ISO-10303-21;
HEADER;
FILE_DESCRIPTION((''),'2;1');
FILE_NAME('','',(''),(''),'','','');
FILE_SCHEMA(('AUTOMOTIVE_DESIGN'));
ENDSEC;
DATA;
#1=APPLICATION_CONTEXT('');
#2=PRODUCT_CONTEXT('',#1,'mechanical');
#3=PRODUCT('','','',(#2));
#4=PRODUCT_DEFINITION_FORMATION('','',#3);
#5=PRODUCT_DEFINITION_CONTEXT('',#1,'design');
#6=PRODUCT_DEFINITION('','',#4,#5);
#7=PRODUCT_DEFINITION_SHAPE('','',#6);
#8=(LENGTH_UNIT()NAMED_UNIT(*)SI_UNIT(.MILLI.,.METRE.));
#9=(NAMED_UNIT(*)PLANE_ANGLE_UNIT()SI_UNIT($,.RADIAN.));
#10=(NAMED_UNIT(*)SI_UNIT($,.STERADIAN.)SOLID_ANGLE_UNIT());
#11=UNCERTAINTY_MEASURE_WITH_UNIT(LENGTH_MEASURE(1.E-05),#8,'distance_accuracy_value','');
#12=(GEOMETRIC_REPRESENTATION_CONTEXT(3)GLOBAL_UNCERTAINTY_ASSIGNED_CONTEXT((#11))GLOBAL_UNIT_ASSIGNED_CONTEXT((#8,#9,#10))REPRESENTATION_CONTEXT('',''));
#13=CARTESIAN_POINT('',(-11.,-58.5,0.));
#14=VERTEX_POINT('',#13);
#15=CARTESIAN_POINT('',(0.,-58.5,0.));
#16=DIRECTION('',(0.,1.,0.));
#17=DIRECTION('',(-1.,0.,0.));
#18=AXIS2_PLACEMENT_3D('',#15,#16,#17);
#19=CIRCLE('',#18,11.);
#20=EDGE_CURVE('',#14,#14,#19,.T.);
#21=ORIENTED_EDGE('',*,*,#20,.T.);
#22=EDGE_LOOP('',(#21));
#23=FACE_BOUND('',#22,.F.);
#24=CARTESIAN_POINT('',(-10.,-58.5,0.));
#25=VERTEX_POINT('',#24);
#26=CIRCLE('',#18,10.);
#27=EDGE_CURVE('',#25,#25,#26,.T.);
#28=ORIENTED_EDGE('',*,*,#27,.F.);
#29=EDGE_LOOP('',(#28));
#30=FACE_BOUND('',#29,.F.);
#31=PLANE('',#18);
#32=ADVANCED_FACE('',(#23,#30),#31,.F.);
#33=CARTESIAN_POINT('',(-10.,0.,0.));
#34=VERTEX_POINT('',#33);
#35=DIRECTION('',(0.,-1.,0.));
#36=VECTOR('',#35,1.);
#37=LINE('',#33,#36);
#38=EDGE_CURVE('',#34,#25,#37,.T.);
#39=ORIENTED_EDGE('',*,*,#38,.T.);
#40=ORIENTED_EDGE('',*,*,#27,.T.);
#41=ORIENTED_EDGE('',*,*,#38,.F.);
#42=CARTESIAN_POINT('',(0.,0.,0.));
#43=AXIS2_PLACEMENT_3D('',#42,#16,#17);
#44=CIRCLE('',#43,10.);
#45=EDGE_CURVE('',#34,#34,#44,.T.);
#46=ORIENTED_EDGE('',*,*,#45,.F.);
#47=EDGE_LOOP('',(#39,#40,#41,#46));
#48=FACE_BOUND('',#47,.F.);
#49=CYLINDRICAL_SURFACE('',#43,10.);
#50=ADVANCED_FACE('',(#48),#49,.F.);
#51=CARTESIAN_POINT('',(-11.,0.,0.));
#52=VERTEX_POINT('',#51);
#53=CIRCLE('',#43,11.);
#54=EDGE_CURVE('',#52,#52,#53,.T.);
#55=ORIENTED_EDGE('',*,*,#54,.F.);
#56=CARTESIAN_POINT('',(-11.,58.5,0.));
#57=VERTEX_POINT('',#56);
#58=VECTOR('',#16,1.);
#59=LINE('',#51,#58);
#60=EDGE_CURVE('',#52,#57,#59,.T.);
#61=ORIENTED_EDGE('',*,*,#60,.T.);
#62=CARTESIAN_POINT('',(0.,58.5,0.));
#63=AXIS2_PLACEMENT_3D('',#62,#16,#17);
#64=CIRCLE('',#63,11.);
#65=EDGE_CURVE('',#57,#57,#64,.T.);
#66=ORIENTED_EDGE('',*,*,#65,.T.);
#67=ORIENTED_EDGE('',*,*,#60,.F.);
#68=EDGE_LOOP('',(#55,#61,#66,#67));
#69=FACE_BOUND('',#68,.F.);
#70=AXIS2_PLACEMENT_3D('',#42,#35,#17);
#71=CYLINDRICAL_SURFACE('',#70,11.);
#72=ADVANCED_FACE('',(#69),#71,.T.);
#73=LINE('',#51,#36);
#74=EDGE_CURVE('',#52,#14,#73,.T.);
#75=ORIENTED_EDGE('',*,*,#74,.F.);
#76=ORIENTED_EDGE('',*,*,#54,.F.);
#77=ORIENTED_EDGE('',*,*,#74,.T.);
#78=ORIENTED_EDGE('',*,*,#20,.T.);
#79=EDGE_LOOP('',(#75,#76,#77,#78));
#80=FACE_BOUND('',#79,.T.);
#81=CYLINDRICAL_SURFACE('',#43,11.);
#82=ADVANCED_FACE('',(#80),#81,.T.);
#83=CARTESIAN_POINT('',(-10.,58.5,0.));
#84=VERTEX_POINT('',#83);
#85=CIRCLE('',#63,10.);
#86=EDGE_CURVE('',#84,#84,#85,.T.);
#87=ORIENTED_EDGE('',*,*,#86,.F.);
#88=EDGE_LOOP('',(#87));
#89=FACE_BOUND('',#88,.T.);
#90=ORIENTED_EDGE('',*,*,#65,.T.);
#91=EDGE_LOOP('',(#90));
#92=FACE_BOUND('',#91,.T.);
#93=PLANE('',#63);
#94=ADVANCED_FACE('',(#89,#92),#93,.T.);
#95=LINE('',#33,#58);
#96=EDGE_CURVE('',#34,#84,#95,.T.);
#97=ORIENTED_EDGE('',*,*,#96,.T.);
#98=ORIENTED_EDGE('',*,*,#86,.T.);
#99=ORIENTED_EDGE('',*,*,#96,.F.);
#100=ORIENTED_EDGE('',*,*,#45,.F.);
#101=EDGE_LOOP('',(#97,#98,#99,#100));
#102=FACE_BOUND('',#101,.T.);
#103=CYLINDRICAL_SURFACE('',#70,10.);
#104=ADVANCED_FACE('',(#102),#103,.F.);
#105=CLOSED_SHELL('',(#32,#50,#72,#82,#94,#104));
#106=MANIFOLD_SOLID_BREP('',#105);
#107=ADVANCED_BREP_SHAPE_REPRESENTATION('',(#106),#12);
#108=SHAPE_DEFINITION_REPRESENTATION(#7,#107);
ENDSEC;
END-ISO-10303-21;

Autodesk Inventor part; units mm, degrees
ref_plane "YZ Plane" through (0, 0, 0) normal (1, 0, 0) x (0, 1, 0)
ref_plane "XY Plane" through (0, 0, 0) normal (0, 0, 1) x (1, 0, 0)
sketch "Sketch2" plane through (0, 0, 0) normal (0, 1, 0) x (-1, 0, 0)
  circle A0 centre (0, 0) radius 11
  circle A1 centre (0, 0) radius 10
  dimension "d0" = 22
  dimension "d1" = 1
extrude "Extrusion1" add sketch "Sketch2" along normal mid plane 117
properties part number "water out put"
